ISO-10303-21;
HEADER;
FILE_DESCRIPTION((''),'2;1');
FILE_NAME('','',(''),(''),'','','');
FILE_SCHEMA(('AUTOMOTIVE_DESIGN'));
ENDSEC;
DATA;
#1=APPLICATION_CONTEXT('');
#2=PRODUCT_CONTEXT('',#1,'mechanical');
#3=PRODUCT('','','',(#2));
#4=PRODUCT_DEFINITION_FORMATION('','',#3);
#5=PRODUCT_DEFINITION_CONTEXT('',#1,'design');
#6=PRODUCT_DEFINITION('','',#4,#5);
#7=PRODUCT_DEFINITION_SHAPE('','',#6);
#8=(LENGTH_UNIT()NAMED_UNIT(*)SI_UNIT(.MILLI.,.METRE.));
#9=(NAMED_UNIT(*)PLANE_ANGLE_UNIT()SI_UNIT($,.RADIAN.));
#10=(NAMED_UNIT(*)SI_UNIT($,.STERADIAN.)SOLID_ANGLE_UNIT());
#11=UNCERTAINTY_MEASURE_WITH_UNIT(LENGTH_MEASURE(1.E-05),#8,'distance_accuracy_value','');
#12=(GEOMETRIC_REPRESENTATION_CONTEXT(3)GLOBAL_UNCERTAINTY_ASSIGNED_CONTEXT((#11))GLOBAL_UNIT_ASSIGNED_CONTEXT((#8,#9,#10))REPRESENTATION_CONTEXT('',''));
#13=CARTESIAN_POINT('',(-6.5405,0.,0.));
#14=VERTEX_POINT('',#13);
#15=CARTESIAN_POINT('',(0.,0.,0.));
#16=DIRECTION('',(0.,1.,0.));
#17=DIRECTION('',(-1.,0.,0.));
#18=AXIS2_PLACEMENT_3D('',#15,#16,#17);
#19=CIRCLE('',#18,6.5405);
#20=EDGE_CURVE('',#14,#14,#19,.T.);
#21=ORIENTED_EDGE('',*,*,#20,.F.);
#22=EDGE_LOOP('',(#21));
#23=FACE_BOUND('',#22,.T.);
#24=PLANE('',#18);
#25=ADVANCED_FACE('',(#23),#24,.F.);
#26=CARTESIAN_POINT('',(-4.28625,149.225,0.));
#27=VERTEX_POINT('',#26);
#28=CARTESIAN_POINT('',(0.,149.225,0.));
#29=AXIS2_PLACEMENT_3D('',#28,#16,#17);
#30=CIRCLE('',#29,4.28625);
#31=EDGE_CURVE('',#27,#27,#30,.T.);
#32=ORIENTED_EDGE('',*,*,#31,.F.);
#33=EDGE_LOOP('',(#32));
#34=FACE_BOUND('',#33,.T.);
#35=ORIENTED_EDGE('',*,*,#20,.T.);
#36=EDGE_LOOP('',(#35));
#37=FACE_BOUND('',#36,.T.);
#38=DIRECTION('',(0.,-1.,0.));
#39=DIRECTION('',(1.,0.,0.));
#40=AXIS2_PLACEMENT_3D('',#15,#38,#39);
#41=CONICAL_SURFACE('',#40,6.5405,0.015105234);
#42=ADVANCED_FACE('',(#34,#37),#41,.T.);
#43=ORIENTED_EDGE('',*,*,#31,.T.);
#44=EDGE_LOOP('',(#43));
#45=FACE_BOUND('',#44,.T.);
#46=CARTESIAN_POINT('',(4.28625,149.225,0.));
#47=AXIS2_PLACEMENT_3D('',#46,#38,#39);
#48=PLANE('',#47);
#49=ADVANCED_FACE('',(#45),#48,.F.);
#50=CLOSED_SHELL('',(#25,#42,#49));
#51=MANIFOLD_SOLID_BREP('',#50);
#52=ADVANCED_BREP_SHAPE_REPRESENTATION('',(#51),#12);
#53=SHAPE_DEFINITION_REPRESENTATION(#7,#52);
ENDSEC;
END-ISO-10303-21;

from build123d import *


with BuildPart() as part:
    # Sketch1 → Revolve1 (revolve)
    with BuildSketch(Plane.XY):
        Polygon((0, 0), (6.5405, 0), (4.28625, 149.225), (0, 149.225), align=None)
    revolve(axis=Axis((0, 149.225, 0), (0, -1, 0)))


solid = part.part
